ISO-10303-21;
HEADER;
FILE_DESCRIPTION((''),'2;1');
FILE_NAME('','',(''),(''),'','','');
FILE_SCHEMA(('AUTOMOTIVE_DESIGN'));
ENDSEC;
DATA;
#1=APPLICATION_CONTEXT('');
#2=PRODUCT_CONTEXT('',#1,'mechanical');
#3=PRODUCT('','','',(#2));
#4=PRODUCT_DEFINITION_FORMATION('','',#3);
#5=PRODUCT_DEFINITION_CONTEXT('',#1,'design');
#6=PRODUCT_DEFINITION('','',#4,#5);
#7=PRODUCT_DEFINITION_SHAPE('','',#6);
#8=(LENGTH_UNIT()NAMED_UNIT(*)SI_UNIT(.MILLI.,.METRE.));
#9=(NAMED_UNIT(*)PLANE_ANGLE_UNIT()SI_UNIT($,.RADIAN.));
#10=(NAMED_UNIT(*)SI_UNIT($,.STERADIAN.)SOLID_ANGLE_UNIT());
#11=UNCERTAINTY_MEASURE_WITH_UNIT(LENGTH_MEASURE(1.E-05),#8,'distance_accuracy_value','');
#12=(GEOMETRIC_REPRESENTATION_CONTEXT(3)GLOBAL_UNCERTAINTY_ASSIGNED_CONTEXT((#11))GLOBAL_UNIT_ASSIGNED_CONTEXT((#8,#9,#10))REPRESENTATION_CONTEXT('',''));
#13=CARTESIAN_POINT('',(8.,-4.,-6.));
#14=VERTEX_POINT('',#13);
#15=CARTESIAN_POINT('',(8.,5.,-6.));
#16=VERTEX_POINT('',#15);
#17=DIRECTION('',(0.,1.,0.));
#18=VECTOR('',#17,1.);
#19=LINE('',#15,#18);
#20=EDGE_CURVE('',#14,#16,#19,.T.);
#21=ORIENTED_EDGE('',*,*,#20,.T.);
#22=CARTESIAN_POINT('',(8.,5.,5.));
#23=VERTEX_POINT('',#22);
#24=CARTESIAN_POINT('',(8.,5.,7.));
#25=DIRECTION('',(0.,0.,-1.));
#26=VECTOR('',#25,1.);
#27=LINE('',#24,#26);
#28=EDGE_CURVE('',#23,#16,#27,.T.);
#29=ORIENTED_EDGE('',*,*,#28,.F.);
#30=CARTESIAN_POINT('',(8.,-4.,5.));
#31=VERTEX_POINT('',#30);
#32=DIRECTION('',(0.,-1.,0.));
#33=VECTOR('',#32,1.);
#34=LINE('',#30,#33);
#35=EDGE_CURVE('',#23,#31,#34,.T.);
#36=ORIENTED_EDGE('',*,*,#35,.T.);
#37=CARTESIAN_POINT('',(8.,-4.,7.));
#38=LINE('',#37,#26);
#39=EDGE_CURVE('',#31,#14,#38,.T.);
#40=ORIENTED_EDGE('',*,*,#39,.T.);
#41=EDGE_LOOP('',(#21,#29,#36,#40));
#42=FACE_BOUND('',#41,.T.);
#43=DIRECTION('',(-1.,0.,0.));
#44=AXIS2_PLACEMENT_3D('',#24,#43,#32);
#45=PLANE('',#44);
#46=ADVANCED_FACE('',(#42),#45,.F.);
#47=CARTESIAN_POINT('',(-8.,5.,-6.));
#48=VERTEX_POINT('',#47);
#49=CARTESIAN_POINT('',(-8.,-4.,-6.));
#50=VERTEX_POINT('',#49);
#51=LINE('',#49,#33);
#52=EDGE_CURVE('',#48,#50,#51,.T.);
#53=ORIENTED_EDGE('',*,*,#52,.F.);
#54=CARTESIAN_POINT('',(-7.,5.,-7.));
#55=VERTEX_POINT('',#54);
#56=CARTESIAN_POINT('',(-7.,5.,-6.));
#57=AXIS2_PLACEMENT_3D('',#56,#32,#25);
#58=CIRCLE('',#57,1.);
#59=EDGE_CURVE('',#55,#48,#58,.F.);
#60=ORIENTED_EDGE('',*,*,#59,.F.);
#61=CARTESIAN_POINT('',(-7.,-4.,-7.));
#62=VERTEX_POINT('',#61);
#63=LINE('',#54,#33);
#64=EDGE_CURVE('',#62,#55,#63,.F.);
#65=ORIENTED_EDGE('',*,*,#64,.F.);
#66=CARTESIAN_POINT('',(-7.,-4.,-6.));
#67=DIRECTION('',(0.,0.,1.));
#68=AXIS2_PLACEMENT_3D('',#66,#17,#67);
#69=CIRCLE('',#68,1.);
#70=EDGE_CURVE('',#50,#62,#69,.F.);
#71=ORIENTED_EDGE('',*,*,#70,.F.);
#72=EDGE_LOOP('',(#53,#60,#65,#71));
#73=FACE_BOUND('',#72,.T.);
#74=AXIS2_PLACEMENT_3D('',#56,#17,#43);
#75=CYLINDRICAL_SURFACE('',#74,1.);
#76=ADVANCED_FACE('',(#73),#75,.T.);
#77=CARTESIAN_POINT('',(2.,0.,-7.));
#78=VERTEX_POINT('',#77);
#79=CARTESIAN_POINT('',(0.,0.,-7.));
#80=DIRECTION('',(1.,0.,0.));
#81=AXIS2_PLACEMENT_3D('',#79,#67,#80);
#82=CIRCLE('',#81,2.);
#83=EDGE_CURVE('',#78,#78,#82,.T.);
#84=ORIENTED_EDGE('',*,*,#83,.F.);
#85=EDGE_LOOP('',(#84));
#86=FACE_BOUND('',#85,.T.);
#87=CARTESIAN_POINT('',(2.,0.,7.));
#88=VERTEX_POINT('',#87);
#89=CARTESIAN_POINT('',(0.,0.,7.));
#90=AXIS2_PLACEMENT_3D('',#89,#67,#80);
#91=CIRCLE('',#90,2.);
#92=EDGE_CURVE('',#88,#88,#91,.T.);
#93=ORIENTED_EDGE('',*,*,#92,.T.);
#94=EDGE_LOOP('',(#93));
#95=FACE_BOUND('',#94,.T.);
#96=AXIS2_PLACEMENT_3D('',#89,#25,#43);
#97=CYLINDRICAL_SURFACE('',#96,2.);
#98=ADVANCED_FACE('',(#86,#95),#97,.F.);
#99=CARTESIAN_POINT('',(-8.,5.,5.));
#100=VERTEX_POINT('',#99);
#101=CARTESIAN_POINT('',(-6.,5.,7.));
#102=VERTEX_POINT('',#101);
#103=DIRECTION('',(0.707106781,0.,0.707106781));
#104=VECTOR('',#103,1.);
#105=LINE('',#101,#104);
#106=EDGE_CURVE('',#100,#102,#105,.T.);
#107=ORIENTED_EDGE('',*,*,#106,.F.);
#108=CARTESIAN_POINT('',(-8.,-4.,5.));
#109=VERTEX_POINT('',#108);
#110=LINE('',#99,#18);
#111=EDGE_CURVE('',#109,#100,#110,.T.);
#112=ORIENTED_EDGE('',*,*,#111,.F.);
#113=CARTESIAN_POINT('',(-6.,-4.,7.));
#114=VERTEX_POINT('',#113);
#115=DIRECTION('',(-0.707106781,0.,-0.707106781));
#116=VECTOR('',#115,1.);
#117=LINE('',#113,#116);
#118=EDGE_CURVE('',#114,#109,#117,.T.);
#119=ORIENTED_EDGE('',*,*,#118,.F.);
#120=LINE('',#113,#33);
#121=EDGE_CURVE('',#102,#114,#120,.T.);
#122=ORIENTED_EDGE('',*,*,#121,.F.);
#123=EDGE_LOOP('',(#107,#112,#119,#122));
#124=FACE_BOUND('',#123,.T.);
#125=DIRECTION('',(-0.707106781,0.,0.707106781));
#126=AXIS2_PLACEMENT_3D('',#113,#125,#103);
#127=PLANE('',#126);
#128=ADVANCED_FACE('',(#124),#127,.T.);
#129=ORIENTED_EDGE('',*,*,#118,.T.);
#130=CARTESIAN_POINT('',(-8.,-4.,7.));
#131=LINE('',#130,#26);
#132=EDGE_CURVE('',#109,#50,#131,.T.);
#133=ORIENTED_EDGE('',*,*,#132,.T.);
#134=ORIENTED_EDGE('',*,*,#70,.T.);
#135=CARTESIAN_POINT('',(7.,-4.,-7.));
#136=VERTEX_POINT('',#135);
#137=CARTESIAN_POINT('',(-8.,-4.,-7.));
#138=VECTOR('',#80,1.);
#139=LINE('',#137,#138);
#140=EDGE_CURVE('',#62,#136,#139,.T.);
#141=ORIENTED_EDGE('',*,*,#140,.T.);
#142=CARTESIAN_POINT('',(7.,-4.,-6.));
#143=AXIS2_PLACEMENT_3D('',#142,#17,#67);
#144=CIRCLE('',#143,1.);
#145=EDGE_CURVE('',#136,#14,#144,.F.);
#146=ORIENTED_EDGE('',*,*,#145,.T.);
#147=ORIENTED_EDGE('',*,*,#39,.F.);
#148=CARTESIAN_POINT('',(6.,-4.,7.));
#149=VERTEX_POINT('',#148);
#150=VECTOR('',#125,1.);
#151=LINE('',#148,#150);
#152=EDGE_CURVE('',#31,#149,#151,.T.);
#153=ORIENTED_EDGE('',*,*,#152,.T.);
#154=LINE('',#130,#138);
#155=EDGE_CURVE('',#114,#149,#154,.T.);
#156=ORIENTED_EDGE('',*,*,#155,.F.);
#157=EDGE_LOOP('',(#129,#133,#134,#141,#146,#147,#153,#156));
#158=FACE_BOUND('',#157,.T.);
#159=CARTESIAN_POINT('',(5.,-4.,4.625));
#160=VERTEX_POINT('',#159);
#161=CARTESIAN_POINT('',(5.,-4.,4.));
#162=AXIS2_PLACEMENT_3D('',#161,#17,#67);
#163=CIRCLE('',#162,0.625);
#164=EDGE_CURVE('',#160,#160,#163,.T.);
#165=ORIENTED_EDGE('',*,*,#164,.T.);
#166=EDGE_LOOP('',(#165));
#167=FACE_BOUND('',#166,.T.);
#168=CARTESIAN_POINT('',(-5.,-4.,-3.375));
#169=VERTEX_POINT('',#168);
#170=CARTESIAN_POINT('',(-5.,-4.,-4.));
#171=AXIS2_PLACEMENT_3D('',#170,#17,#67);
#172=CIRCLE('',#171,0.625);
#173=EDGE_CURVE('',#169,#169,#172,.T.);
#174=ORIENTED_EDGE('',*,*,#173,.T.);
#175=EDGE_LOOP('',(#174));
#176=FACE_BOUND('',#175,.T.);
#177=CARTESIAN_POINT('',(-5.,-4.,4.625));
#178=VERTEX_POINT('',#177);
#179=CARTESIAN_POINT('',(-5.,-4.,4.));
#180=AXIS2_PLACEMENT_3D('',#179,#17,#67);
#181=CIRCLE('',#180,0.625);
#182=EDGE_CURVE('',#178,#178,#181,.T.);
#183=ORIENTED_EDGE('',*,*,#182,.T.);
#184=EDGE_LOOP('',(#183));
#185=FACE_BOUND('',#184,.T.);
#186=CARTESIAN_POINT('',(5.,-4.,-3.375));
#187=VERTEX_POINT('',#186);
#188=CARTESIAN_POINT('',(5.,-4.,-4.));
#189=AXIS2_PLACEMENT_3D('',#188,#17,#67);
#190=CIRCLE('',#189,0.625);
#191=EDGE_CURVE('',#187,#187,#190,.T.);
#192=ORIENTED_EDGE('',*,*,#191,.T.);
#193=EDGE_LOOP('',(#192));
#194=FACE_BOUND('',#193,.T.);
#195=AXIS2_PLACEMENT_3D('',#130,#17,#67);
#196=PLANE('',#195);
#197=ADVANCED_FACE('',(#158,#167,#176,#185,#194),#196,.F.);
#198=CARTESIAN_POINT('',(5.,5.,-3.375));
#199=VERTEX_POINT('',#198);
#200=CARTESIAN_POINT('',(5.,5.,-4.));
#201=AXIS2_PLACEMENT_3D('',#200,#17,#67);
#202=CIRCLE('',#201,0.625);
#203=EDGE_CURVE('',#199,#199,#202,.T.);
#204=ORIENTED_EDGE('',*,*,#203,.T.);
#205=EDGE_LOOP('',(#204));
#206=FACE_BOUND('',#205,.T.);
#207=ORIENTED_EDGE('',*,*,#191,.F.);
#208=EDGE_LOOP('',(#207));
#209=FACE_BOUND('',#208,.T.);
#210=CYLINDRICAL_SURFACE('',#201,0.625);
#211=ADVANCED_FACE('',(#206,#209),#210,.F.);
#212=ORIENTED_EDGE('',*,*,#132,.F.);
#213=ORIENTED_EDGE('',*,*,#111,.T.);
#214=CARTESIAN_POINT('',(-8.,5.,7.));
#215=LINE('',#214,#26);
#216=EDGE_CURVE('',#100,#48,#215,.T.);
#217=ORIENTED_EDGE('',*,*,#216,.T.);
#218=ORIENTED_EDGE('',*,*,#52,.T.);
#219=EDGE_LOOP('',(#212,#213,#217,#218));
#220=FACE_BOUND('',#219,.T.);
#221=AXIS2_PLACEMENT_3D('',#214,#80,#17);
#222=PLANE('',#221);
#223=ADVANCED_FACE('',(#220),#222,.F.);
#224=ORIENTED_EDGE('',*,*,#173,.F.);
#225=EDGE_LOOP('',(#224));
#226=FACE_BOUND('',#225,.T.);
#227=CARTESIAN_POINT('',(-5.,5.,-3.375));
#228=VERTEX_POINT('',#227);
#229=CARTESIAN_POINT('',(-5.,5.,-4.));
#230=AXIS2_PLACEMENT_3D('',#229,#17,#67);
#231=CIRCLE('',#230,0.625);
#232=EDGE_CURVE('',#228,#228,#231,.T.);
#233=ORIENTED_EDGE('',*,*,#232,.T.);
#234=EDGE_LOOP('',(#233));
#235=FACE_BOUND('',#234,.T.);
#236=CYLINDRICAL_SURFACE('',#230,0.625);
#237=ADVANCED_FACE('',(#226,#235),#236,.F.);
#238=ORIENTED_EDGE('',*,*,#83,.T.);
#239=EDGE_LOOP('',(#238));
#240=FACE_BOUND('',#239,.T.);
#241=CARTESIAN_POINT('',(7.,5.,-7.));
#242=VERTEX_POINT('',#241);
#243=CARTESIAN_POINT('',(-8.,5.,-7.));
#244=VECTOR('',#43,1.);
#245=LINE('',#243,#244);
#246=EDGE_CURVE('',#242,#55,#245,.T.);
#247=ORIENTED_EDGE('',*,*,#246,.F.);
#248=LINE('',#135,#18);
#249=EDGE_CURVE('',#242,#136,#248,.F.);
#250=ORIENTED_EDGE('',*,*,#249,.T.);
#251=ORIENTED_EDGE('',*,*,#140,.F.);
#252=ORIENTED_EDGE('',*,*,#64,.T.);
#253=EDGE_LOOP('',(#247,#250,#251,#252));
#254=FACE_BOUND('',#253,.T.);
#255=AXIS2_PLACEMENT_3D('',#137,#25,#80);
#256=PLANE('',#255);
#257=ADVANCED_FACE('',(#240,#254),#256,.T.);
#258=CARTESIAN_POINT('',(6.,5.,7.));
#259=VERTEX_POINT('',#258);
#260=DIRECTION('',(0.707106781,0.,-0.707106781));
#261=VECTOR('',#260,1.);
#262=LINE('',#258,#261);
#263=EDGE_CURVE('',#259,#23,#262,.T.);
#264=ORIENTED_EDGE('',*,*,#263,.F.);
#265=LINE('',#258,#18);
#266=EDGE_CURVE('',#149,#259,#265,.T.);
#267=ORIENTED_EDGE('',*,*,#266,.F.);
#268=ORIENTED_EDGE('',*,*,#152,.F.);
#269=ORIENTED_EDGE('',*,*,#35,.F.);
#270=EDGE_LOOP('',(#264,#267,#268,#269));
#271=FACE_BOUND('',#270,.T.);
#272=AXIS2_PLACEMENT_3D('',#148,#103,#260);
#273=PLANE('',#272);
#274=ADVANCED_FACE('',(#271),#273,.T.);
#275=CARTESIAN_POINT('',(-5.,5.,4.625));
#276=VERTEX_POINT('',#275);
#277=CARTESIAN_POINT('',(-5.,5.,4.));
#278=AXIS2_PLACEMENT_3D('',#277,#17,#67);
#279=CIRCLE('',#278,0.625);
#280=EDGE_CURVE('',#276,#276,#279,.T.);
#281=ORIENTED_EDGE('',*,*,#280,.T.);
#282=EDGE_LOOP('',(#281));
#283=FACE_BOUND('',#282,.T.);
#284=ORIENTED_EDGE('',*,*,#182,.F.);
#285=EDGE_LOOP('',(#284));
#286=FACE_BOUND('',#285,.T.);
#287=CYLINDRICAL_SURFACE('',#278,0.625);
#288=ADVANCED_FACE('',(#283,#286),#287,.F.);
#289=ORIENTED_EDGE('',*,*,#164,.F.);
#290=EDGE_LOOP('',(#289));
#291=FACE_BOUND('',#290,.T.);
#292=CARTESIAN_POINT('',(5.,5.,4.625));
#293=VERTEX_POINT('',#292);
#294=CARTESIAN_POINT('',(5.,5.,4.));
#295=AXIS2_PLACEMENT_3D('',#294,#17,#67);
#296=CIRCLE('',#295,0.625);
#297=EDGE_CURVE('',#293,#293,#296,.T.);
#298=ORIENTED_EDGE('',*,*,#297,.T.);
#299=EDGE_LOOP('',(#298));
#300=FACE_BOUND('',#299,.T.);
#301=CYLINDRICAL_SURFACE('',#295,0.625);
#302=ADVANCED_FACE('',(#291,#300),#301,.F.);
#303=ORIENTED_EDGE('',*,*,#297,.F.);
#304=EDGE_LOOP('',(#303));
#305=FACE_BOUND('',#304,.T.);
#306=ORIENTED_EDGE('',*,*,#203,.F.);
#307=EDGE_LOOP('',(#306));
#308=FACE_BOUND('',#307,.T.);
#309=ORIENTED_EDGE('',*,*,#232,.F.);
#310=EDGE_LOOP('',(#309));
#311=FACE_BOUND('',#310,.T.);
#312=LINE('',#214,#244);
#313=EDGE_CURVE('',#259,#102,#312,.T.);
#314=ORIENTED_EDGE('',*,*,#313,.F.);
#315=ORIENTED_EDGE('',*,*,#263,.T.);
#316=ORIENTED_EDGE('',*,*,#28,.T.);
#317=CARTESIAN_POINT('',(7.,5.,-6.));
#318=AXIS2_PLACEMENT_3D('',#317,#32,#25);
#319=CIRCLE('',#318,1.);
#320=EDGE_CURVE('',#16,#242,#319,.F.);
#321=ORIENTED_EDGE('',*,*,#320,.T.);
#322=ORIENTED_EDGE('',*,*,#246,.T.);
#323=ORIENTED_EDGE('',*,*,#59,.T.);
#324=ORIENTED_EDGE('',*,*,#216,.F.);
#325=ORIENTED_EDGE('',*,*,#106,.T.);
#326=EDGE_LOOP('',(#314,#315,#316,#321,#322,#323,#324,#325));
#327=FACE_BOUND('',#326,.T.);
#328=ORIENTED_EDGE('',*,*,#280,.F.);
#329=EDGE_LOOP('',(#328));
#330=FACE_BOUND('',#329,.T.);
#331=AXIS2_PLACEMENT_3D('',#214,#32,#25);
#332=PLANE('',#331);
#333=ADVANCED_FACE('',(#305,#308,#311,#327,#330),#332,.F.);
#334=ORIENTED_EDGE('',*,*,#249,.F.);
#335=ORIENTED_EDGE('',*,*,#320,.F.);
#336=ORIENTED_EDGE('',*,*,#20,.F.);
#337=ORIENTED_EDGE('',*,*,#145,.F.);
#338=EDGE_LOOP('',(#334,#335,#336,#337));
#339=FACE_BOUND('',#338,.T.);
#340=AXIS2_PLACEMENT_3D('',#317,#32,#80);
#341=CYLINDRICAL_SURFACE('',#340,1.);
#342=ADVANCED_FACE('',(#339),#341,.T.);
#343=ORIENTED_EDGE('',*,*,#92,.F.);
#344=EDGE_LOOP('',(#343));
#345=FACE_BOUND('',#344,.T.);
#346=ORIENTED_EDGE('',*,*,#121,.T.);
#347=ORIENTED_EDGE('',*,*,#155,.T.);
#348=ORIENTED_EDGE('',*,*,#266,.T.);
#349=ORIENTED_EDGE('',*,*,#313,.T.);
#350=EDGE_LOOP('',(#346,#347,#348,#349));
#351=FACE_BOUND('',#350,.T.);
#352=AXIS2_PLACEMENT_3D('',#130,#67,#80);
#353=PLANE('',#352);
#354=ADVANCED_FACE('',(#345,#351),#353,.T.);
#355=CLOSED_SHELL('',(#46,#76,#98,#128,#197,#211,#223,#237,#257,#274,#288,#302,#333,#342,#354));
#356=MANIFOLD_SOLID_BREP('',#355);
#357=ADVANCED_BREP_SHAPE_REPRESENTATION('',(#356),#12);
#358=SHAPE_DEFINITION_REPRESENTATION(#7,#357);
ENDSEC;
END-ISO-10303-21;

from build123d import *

# Parameters (mm, degrees)
ESQUISSE1_W         = 16
ESQUISSE1_H         = 9
ESQUISSE1_R         = 2
BOSS_EXTRU_1_DEPTH  = 7
TROU_TARAUD_M1_61_D = 1.25
CHANFREIN1_SIZE     = 2
CONG_1_R            = 1


with BuildPart() as part:
    # Esquisse1 → Boss.-Extru.1 (new body)
    with BuildSketch(Plane.XY):
        with Locations((0, 0.5)):
            Rectangle(ESQUISSE1_W, ESQUISSE1_H)
        Circle(ESQUISSE1_R, mode=Mode.SUBTRACT)
    boss_extru_1 = extrude(amount=BOSS_EXTRU_1_DEPTH)

    # Trou taraudé M1.61 (through all)
    with Locations(Plane(origin=(-5, 5, 4), x_dir=(0, 0, 1), z_dir=(0, 1, 0))):
        with Locations((0, 0), (0, 10)):
            trou_taraud_m1_61 = Hole(TROU_TARAUD_M1_61_D / 2)

    # Symétrie1: Boss.-Extru.1, Trou taraudé M1.61 across plane
    add(boss_extru_1.mirror(Plane(origin=(-8, -4, 0), x_dir=(1, 0, 0), z_dir=(0, 0, 1))))
    add(trou_taraud_m1_61.mirror(Plane(origin=(-8, -4, 0), x_dir=(1, 0, 0), z_dir=(0, 0, 1))), mode=Mode.SUBTRACT)

    # Chanfrein1
    chanfrein1_edges = [part.edges().sort_by_distance(p)[0] for p in [
        (8, 0.5, 7),
        (-8, 0.5, 7),
    ]]
    chamfer(chanfrein1_edges, length=CHANFREIN1_SIZE)

    # Congé1
    cong_1_edges = [part.edges().sort_by_distance(p)[0] for p in [
        (-8, 0.5, -7),
        (8, 0.5, -7),
    ]]
    fillet(cong_1_edges, radius=CONG_1_R)


solid = part.part
